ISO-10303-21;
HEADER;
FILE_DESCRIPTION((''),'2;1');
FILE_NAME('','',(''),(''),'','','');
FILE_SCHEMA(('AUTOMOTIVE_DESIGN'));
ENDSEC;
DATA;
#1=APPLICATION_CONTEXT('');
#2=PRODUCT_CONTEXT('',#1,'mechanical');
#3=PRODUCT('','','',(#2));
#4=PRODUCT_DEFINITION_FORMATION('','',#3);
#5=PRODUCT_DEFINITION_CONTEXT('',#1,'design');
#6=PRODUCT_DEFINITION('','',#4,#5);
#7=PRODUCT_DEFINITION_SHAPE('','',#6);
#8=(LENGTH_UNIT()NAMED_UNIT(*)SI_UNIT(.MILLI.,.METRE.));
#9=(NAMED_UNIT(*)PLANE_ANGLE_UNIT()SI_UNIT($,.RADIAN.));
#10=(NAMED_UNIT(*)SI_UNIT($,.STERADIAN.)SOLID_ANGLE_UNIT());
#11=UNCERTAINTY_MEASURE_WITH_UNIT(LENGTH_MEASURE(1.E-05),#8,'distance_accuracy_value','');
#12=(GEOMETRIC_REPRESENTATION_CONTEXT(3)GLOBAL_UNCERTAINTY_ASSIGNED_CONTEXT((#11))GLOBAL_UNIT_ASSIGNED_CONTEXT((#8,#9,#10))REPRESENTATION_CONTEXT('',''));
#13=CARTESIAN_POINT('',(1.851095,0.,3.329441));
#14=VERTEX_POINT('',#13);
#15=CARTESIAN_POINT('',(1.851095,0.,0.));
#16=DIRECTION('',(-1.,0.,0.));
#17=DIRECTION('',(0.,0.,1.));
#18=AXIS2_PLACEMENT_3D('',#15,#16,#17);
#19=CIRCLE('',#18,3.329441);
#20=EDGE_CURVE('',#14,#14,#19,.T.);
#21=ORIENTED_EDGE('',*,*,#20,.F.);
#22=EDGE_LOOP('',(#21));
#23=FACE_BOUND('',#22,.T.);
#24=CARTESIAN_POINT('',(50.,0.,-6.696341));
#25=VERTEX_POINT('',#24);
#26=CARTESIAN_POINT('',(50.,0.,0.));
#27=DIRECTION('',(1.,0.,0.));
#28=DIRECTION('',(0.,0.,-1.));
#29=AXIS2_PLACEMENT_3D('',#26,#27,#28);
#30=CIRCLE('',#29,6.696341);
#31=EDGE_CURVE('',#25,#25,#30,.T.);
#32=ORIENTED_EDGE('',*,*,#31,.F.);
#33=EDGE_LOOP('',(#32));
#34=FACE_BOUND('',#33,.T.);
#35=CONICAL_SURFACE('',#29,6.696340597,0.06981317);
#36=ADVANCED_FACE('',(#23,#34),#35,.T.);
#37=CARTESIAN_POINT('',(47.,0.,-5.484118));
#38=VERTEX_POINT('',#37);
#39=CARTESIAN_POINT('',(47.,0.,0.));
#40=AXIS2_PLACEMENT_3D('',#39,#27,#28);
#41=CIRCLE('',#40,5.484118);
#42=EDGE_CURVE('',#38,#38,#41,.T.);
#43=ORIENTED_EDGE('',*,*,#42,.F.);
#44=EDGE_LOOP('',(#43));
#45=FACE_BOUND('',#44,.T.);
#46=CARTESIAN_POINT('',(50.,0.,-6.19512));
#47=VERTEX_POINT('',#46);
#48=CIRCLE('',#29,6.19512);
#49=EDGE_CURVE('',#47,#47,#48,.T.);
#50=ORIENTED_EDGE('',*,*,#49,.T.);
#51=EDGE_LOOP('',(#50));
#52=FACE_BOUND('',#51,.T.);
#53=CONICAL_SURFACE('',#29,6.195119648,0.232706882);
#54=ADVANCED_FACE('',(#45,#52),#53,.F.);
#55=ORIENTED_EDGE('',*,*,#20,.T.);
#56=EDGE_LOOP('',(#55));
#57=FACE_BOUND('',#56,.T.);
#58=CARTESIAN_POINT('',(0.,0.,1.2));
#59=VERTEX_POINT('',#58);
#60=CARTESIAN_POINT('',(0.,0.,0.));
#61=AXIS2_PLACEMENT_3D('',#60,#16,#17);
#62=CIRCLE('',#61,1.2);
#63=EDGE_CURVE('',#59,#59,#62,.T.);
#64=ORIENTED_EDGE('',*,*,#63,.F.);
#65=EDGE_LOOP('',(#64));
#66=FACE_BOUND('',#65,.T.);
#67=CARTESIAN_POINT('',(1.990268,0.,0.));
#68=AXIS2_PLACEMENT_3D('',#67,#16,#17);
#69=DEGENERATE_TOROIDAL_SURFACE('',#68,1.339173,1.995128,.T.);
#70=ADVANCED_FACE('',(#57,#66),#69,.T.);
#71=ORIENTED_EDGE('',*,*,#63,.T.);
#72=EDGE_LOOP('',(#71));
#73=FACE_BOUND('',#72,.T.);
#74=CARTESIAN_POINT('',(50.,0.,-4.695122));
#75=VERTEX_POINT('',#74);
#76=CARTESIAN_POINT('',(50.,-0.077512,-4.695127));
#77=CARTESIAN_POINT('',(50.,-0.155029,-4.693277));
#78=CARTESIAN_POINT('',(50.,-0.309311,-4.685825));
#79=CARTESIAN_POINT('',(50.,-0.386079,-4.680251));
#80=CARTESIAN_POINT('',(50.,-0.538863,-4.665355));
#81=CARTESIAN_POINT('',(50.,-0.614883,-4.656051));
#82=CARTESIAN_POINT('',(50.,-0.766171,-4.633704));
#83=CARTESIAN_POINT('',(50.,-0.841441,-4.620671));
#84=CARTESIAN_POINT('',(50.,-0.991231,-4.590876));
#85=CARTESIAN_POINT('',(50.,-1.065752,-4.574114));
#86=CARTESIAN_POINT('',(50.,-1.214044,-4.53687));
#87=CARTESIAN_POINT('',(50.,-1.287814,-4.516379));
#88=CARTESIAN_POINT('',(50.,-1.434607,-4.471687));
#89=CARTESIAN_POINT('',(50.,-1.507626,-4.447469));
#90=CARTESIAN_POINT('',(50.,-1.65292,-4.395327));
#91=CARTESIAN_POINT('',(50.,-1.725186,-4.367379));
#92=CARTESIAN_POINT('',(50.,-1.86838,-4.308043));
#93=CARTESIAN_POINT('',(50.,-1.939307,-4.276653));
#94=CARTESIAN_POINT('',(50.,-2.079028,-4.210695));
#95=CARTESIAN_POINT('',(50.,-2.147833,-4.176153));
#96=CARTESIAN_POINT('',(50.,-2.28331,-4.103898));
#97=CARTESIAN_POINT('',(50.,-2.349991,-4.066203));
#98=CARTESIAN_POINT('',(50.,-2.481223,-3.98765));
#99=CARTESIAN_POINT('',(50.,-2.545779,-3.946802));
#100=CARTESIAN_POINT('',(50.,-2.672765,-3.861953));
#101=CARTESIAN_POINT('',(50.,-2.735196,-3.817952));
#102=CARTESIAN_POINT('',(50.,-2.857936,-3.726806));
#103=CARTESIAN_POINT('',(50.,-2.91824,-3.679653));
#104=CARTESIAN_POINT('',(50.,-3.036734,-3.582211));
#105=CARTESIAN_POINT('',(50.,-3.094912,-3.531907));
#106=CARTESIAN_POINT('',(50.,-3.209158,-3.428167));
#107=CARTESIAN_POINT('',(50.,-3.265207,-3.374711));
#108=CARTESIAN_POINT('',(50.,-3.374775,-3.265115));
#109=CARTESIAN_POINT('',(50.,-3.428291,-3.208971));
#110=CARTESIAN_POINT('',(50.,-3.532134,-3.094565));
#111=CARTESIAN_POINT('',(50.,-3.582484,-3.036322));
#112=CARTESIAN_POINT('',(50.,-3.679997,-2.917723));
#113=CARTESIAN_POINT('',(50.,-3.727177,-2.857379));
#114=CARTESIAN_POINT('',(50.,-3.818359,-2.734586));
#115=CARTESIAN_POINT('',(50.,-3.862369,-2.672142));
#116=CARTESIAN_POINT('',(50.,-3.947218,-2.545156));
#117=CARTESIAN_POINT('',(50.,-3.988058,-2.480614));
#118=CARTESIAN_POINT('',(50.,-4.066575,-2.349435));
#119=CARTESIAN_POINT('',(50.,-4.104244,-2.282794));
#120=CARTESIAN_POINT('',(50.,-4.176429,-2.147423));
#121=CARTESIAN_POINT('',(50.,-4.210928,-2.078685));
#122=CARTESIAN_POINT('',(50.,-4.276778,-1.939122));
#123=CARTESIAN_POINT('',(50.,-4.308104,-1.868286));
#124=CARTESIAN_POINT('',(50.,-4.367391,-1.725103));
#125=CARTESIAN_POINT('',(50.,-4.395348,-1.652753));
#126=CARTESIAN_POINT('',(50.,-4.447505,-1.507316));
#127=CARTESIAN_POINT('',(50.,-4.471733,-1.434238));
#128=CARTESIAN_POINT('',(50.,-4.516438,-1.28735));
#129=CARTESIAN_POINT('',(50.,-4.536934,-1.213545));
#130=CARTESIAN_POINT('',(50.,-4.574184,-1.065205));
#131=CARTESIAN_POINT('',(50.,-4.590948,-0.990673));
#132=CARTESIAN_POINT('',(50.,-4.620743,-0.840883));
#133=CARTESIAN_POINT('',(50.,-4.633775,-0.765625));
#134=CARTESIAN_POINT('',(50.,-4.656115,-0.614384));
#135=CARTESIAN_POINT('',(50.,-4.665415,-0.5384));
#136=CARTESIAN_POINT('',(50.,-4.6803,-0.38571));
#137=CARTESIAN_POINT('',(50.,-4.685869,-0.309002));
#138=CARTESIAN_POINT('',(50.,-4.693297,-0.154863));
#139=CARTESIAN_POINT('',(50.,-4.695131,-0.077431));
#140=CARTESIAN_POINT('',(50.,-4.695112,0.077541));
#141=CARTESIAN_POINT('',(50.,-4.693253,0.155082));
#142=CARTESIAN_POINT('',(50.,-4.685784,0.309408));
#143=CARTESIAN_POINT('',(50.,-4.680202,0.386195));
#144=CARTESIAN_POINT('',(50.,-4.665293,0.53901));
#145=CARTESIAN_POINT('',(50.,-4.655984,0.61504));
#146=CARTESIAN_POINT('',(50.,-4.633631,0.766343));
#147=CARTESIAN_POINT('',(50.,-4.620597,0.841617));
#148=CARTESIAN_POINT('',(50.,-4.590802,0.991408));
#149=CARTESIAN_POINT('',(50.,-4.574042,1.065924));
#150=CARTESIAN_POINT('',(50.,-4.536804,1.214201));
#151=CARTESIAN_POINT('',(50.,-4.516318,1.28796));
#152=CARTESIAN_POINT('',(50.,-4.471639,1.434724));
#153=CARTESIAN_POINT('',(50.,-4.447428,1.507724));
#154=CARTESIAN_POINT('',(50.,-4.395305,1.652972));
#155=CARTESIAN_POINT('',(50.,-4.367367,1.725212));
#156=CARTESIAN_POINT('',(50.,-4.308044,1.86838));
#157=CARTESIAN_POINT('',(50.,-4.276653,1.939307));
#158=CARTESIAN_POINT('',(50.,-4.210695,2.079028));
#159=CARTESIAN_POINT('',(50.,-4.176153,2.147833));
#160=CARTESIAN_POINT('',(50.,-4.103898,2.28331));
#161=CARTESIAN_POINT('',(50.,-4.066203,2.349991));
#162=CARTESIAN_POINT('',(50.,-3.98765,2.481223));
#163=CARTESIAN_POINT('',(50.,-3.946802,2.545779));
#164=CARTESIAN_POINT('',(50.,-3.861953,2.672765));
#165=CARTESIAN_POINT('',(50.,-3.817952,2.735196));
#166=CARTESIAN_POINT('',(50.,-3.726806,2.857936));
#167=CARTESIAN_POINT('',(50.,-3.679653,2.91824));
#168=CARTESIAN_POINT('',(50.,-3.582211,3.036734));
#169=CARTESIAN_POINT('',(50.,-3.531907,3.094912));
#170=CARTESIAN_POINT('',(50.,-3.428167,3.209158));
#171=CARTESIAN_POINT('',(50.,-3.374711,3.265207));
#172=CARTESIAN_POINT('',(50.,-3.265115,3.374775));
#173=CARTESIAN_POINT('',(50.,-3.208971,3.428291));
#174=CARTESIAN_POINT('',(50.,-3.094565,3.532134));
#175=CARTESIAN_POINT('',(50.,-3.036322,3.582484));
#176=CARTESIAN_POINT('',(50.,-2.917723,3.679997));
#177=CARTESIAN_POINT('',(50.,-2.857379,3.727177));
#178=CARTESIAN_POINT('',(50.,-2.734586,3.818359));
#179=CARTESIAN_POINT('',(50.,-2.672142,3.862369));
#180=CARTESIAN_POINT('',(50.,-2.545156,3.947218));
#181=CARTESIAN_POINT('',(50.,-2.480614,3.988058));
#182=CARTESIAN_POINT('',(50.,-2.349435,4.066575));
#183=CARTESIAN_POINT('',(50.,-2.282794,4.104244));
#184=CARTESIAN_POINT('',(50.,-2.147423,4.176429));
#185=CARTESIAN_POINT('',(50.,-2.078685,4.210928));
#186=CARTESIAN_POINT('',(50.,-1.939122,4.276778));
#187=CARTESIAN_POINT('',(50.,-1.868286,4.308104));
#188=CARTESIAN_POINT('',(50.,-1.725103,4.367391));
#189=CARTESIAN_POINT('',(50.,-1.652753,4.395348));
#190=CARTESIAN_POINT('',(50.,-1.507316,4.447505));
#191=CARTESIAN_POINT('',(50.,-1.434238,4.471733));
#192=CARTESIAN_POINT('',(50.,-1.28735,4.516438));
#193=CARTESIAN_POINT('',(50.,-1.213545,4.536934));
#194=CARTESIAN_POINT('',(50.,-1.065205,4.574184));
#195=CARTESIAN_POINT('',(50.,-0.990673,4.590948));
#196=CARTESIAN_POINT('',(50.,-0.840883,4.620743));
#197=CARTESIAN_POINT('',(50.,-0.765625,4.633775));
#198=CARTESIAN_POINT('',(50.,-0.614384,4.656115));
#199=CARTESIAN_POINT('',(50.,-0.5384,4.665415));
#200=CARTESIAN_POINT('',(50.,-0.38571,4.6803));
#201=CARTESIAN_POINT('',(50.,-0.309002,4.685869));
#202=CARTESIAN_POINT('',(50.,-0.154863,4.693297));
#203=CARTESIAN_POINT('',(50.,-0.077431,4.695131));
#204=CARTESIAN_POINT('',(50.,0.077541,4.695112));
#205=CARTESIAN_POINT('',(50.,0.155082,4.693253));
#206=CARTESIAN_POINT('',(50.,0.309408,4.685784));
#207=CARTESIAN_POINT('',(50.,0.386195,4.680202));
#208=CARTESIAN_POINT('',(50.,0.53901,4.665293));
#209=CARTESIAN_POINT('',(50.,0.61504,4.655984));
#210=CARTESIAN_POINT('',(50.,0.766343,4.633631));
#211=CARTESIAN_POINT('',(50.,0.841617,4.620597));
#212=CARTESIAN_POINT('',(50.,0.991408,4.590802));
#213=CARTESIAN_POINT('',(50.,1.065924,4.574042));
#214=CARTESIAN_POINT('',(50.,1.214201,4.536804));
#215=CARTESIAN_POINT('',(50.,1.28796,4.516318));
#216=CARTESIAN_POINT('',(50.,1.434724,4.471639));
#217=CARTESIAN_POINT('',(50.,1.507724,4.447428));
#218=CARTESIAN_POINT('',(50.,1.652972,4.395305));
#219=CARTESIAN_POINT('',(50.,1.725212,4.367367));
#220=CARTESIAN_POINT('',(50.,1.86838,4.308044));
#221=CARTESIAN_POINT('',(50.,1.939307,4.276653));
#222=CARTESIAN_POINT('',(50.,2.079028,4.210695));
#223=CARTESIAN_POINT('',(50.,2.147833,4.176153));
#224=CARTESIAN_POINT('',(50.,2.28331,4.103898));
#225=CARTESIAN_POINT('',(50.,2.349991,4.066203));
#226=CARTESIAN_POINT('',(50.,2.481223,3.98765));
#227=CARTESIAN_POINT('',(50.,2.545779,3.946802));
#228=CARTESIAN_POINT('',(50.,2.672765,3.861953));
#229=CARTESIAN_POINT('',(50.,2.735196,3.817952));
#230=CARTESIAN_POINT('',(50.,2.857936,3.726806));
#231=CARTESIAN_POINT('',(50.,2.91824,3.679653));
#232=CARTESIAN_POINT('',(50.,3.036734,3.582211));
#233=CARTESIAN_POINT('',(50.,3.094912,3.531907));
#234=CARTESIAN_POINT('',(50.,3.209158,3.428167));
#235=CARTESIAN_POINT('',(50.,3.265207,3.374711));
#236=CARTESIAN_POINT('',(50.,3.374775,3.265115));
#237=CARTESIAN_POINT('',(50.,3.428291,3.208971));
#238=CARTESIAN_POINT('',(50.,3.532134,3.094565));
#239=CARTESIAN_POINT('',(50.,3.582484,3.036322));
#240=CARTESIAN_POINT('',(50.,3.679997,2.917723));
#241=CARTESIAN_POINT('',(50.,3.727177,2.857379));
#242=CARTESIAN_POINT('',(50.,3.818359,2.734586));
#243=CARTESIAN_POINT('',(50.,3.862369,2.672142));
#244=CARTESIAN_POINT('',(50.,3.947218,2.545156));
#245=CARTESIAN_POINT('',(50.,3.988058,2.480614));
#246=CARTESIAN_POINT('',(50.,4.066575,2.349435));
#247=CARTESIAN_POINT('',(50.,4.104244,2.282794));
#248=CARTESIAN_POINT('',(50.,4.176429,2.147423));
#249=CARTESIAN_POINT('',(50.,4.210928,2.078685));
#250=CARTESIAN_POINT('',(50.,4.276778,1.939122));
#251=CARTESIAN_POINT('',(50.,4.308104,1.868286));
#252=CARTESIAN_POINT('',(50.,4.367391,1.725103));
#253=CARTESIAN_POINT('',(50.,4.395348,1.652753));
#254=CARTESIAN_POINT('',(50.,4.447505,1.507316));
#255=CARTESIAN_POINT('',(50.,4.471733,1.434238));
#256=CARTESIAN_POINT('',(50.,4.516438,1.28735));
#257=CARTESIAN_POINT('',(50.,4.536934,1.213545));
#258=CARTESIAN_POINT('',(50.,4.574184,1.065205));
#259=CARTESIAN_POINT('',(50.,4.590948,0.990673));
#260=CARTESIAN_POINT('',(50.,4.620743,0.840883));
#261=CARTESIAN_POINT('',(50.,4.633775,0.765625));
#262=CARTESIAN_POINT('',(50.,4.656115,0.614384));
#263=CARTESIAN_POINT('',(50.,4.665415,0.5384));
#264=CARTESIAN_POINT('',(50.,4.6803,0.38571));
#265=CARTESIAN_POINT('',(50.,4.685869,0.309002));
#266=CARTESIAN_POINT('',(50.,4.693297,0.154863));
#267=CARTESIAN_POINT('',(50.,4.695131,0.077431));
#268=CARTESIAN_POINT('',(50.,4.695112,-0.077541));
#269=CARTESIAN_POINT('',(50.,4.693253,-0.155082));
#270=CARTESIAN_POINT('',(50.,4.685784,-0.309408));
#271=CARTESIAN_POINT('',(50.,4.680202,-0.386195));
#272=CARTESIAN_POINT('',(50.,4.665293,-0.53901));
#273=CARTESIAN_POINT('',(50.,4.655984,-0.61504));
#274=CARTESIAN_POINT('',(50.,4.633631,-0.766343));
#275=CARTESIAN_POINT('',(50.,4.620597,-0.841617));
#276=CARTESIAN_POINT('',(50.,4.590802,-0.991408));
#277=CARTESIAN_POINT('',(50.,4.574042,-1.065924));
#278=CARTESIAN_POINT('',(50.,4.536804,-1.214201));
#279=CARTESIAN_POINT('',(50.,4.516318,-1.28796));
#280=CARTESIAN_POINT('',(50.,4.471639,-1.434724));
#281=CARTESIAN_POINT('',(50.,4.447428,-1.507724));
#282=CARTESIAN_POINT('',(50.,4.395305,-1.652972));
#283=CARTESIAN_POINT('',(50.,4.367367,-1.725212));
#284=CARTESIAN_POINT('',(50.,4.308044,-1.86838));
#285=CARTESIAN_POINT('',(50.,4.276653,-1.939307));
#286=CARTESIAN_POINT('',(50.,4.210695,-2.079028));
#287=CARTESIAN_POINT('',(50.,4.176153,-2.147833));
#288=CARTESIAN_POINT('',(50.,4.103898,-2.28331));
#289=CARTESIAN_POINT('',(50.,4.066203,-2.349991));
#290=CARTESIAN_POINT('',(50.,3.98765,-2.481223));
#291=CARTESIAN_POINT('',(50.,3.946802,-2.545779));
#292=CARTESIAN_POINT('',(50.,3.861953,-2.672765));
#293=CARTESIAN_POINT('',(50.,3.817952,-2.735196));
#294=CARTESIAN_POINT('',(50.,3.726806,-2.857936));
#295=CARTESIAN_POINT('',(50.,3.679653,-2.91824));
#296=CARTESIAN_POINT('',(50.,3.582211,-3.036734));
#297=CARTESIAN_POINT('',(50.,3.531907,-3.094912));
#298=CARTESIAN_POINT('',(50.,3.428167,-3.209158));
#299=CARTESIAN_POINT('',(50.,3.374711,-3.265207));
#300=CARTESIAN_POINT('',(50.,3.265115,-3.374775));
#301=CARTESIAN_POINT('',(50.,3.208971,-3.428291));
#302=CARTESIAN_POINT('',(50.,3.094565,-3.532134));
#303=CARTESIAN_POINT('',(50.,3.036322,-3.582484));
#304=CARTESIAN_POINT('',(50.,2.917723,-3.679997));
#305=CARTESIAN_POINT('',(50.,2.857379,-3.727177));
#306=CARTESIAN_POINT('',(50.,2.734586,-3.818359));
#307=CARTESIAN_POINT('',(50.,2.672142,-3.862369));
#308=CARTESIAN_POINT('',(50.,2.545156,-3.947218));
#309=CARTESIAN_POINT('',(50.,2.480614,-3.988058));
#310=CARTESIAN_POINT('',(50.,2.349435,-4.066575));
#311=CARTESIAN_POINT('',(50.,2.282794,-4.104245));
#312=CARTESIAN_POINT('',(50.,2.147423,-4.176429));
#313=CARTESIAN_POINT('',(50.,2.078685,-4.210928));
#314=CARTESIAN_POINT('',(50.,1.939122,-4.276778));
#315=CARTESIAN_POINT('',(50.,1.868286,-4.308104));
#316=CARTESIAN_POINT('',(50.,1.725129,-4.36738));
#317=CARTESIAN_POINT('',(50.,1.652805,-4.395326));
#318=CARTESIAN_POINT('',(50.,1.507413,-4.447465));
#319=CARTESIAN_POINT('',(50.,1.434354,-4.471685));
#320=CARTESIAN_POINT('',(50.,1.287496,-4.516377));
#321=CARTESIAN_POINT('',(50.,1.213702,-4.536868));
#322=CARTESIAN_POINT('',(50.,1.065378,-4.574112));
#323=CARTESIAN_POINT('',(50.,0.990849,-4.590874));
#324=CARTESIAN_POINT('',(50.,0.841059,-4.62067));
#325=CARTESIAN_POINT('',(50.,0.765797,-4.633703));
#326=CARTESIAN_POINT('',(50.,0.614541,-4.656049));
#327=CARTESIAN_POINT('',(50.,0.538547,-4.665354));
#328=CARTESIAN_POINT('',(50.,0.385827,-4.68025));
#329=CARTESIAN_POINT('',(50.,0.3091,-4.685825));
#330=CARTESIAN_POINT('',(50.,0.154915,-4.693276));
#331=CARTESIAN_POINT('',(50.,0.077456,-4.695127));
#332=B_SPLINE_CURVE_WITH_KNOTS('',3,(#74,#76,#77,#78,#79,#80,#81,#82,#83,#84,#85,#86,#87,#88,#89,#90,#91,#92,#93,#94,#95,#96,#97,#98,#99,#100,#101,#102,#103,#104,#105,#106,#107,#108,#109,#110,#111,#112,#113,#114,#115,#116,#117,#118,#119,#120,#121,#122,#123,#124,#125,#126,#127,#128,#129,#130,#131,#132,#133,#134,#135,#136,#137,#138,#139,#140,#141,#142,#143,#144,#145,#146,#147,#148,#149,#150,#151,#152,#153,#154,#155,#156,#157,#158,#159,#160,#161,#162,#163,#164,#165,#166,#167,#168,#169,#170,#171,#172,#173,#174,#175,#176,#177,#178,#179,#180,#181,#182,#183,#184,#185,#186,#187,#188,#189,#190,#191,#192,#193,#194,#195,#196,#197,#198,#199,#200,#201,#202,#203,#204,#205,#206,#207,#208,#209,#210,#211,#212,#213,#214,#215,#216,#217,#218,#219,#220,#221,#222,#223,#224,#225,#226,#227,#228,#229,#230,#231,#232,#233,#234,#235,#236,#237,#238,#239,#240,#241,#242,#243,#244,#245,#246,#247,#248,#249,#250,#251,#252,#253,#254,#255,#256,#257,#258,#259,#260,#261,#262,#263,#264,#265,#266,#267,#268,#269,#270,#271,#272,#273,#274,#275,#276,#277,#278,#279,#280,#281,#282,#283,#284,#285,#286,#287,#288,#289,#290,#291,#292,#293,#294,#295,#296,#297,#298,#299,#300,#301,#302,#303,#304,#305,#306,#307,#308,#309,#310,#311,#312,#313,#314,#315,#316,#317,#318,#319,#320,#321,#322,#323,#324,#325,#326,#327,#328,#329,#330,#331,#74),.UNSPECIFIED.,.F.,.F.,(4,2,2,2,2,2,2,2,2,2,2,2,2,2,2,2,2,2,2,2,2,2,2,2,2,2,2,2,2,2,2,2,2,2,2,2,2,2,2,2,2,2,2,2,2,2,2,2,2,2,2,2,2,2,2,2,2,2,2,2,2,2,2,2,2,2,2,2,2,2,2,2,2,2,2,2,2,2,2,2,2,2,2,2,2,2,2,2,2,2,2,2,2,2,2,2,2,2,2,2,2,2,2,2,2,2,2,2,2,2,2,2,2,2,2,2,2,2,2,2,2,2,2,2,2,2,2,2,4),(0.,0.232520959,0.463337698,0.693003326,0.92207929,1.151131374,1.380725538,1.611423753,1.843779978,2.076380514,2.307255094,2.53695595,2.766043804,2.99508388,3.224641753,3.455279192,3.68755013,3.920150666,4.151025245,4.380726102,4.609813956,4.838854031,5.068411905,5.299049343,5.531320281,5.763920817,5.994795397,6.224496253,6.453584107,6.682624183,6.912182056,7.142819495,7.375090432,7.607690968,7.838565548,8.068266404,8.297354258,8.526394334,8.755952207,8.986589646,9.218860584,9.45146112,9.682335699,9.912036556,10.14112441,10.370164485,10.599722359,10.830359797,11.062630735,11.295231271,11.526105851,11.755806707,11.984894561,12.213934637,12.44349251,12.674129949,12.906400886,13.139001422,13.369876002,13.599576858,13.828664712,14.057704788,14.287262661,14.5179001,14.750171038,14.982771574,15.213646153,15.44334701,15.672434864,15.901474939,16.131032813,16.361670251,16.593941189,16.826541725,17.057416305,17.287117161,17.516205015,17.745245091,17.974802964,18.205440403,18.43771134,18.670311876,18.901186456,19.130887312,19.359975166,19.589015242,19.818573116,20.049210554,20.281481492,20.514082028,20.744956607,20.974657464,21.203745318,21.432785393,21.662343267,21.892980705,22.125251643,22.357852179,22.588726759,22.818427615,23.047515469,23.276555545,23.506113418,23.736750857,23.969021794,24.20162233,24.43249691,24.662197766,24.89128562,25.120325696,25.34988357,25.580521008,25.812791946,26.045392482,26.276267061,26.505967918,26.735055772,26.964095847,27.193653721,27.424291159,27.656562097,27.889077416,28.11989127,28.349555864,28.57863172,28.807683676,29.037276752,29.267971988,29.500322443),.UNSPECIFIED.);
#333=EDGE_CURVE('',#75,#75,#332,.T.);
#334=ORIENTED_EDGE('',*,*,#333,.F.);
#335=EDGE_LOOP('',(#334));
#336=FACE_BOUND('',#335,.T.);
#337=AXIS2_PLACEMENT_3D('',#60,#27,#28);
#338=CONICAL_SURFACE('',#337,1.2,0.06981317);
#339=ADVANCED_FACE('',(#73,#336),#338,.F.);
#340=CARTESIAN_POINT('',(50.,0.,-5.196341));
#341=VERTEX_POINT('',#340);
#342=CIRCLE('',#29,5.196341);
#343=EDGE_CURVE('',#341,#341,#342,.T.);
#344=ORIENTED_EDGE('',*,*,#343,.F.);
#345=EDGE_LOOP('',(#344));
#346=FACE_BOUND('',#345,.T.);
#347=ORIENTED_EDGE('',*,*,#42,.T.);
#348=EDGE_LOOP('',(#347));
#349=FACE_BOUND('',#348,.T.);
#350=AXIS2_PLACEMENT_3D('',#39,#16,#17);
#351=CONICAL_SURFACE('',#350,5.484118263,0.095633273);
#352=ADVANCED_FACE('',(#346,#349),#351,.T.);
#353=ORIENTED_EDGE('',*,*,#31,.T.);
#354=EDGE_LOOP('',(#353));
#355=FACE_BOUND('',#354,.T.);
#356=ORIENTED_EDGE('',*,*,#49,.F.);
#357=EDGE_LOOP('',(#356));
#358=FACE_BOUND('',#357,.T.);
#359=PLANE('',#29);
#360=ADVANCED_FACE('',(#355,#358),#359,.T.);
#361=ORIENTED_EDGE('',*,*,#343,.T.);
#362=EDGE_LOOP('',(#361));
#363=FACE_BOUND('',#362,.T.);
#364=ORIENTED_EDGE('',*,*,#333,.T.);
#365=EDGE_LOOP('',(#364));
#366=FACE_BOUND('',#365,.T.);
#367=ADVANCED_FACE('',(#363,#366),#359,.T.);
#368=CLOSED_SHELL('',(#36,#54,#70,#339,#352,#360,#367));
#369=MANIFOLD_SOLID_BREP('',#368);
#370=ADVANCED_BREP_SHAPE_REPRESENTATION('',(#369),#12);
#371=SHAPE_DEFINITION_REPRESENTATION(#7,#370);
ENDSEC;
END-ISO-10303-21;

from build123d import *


with BuildPart() as part:
    # Sketch2 → Revolve2 (revolve)
    with BuildSketch(Plane.XY, mode=Mode.PRIVATE) as revolve2_sk:
        with BuildLine():
            Line((0, 1.2), (50, 4.696340597))
            Line((50, 4.696340597), (50, 6.696340597))
            Line((50, 6.696340597), (1.851094968, 3.32944117))
            ThreePointArc((1.851094968, 3.32944117), (0.484525778, 2.648094905), (0, 1.2))
        make_face()
    revolve(revolve2_sk.sketch.rotate(Axis((-19.275847123, 0, 0), (1, 0, 0)), 90), axis=Axis((-19.275847123, 0, 0), (1, 0, 0)))

    # Sketch3 → Revolve3 (revolve)
    with BuildSketch(Plane.XY, mode=Mode.PRIVATE) as revolve3_sk:
        Polygon((50, 4.695121509), (180, 9.234821543), (180, 11.236040631), (50, 6.696340597), align=None)
    revolve(revolve3_sk.sketch.rotate(Axis((50, 0, 0), (-1, 0, 0)), 90), axis=Axis((50, 0, 0), (-1, 0, 0)))

    # SurfaceCut3
    split(bisect_by=Plane(origin=(50, 0, 0), x_dir=(0, 0, -1), z_dir=(1, 0, 0)), keep=Keep.BOTTOM)

    # Sketch4 → Cut-Revolve1 (revolve, cut)
    with BuildSketch(Plane.XY, mode=Mode.PRIVATE) as cut_revolve1_sk:
        Polygon((50, 6.195119648), (47, 5.484118263), (50, 5.196340597), align=None)
    revolve(cut_revolve1_sk.sketch.rotate(Axis((50, 0, 0), (-1, 0, 0)), 90), axis=Axis((50, 0, 0), (-1, 0, 0)), mode=Mode.SUBTRACT)


solid = part.part
